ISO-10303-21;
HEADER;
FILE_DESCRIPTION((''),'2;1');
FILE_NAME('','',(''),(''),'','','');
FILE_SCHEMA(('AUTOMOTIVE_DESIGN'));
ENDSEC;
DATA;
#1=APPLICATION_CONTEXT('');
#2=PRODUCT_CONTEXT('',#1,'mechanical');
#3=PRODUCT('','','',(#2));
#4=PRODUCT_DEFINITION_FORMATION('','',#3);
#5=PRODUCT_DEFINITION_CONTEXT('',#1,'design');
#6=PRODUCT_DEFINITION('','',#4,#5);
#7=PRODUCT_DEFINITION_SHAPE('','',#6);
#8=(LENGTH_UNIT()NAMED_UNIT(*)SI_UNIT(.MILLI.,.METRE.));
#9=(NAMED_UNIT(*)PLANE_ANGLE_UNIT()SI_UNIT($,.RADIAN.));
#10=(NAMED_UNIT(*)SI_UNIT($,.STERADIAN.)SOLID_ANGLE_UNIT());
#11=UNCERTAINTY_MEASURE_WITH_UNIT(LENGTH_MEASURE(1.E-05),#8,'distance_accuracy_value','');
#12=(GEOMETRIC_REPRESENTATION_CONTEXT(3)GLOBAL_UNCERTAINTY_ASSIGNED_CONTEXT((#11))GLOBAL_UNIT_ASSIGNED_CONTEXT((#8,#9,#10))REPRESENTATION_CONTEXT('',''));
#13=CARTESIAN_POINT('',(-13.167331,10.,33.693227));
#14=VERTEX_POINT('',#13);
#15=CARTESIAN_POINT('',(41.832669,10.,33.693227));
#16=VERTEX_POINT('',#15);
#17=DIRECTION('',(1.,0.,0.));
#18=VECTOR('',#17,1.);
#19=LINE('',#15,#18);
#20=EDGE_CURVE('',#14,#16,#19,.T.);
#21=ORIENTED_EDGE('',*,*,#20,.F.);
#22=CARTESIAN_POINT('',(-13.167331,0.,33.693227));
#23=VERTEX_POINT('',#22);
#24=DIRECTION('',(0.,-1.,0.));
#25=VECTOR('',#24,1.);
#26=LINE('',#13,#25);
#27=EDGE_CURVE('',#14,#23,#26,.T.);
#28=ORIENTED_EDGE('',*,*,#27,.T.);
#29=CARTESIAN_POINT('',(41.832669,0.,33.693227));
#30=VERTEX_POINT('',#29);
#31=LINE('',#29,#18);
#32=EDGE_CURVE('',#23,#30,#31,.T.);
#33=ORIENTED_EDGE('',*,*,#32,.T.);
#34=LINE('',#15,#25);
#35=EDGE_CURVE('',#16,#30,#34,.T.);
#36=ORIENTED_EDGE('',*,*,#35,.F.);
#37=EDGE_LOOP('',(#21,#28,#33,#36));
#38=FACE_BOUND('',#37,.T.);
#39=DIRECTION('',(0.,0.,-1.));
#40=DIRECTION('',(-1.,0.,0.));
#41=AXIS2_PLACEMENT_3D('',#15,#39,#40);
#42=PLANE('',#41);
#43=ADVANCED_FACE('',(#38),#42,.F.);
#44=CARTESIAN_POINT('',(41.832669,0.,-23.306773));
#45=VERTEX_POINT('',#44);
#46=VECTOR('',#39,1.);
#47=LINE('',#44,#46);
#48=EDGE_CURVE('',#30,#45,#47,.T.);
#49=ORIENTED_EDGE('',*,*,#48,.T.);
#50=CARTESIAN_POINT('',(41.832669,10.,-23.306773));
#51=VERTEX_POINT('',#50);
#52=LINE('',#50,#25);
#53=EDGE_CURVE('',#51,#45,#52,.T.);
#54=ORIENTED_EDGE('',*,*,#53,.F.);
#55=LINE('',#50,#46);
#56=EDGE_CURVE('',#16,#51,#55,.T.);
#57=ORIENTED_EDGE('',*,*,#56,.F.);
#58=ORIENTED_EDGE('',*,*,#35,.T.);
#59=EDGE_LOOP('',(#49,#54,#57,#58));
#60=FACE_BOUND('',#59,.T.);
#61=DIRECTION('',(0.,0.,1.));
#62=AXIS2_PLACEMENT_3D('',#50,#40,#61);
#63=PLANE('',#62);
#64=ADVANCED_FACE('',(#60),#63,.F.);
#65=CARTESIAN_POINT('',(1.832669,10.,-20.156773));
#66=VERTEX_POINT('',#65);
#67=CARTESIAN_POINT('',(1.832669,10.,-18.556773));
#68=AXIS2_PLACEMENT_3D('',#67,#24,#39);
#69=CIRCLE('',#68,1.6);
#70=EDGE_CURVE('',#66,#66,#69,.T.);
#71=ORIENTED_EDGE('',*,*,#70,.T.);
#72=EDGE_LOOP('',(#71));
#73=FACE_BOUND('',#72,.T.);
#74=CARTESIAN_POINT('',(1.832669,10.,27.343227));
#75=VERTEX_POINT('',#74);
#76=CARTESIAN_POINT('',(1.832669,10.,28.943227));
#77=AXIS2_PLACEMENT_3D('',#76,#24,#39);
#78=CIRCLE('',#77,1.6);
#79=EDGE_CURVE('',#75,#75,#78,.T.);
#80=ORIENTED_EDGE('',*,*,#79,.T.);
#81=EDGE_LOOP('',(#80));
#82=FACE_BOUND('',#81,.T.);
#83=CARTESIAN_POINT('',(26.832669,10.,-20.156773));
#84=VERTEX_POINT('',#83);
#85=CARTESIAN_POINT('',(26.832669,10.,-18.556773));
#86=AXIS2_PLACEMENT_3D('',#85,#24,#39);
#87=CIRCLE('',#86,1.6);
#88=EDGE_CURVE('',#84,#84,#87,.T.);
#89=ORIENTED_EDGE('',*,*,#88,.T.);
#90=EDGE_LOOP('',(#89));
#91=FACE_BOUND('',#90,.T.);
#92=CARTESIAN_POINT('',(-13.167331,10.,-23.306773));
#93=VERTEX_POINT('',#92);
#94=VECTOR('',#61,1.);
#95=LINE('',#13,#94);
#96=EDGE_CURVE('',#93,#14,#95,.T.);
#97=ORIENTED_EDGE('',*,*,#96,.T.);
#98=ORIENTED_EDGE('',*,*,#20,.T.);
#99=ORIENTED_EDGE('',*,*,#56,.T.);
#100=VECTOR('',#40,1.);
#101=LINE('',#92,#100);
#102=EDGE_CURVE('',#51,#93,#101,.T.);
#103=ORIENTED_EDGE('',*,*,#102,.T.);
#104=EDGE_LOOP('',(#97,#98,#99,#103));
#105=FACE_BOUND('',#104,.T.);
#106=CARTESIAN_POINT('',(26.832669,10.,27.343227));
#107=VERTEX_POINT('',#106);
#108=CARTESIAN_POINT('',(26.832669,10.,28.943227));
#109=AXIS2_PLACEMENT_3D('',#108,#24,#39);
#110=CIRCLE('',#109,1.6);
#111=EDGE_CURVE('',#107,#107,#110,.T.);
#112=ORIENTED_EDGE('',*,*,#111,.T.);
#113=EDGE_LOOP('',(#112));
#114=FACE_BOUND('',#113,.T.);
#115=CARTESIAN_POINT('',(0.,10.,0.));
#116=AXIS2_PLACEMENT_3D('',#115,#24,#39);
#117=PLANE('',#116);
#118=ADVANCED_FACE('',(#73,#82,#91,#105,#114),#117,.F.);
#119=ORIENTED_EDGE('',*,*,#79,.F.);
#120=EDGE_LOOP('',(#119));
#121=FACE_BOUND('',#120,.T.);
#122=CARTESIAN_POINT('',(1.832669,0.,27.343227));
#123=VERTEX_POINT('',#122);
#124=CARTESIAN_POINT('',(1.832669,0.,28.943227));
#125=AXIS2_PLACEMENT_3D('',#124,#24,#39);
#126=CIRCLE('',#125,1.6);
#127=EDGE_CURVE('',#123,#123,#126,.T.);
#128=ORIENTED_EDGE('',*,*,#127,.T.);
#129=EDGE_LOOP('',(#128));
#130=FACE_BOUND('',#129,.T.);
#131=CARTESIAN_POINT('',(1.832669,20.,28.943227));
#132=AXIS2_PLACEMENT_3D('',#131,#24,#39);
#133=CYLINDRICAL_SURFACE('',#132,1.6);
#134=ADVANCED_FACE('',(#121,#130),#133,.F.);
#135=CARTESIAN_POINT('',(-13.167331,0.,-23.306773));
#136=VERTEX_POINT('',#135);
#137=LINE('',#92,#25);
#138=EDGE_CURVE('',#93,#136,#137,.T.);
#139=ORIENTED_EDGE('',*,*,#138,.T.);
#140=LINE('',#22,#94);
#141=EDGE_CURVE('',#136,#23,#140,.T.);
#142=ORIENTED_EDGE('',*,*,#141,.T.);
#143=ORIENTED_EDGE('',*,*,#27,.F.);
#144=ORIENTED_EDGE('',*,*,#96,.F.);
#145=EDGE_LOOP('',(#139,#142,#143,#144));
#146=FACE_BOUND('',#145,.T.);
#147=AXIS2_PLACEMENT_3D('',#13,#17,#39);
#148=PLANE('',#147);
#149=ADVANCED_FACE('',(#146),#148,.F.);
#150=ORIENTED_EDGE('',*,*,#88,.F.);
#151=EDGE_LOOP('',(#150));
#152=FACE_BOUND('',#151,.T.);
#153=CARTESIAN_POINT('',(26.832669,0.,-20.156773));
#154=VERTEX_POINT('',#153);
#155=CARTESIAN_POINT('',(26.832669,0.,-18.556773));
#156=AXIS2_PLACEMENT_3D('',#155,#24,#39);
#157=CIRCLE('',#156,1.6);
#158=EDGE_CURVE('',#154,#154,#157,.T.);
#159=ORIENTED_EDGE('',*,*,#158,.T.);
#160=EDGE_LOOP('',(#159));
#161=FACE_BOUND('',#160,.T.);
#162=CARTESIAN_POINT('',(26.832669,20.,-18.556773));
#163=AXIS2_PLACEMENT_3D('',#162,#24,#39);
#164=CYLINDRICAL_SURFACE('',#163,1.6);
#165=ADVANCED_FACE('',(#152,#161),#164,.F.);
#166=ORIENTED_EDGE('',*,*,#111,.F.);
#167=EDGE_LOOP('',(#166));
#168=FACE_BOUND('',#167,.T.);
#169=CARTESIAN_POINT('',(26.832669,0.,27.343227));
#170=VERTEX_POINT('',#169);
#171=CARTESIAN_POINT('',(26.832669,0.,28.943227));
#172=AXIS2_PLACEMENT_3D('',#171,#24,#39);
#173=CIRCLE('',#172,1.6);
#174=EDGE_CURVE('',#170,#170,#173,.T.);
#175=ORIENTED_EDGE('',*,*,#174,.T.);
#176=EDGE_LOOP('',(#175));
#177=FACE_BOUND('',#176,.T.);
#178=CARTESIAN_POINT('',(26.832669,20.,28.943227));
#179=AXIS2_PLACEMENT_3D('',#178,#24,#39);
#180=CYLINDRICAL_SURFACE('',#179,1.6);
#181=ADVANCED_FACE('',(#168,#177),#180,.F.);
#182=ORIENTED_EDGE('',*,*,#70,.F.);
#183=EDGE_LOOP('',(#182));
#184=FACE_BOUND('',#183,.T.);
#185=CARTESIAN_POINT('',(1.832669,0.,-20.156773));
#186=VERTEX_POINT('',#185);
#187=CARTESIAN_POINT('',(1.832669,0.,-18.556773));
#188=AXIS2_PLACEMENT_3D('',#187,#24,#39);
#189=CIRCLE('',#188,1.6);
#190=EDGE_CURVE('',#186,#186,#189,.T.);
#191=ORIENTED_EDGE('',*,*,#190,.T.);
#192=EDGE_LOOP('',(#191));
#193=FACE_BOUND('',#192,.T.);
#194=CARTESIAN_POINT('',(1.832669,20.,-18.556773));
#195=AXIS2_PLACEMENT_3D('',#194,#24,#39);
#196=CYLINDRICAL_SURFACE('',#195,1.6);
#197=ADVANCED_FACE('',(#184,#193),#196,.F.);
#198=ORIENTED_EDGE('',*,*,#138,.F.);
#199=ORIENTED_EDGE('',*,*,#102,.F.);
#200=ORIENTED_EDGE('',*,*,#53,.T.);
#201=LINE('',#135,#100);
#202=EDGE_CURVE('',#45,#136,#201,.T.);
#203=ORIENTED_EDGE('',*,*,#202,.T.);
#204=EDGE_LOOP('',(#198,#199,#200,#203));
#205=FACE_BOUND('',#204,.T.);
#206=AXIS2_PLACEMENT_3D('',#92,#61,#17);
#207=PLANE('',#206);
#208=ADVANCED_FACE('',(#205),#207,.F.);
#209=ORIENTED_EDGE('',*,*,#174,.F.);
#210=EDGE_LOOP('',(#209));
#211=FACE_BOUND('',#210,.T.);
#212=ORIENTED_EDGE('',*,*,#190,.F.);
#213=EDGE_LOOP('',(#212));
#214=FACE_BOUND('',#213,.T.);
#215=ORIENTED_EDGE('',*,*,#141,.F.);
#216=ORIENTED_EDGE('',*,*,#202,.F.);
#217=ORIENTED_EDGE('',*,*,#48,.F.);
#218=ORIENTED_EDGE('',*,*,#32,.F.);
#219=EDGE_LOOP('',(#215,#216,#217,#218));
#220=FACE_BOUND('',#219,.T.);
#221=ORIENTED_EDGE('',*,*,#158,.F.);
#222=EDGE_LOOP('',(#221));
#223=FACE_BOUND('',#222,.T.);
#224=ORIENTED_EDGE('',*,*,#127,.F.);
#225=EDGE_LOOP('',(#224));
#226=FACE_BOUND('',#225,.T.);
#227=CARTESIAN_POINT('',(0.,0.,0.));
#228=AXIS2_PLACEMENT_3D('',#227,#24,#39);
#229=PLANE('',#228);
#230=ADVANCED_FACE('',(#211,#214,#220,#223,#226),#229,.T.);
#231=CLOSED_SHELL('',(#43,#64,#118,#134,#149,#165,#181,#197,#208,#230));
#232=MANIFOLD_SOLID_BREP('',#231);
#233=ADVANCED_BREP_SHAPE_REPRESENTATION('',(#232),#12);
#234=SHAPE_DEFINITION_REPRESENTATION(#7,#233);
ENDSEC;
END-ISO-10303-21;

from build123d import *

# Parameters (mm, degrees)
SKETCH1_W           = 55
SKETCH1_H           = 57
BOSS_EXTRUDE1_DEPTH = 10
SKETCH2_R           = 1.6
CUT_EXTRUDE1_DEPTH  = 20


with BuildPart() as part:
    # Sketch1 → Boss-Extrude1 (new body)
    with BuildSketch(Plane(origin=(0, 0, 0), x_dir=(1, 0, 0), z_dir=(0, 1, 0))):
        with Locations((14.332669323, -5.193227092)):
            Rectangle(SKETCH1_W, SKETCH1_H)
    extrude(amount=BOSS_EXTRUDE1_DEPTH)

    # Sketch2 → Cut-Extrude1 (cut)
    with BuildSketch(Plane.XZ):
        with Locations((1.832669323, 28.943227092)):
            Circle(SKETCH2_R)
        with Locations((26.832669323, 28.943227092)):
            Circle(SKETCH2_R)
        with Locations((1.832669323, -18.556772908)):
            Circle(SKETCH2_R)
        with Locations((26.832669323, -18.556772908)):
            Circle(SKETCH2_R)
    extrude(amount=-CUT_EXTRUDE1_DEPTH, mode=Mode.SUBTRACT)


solid = part.part
